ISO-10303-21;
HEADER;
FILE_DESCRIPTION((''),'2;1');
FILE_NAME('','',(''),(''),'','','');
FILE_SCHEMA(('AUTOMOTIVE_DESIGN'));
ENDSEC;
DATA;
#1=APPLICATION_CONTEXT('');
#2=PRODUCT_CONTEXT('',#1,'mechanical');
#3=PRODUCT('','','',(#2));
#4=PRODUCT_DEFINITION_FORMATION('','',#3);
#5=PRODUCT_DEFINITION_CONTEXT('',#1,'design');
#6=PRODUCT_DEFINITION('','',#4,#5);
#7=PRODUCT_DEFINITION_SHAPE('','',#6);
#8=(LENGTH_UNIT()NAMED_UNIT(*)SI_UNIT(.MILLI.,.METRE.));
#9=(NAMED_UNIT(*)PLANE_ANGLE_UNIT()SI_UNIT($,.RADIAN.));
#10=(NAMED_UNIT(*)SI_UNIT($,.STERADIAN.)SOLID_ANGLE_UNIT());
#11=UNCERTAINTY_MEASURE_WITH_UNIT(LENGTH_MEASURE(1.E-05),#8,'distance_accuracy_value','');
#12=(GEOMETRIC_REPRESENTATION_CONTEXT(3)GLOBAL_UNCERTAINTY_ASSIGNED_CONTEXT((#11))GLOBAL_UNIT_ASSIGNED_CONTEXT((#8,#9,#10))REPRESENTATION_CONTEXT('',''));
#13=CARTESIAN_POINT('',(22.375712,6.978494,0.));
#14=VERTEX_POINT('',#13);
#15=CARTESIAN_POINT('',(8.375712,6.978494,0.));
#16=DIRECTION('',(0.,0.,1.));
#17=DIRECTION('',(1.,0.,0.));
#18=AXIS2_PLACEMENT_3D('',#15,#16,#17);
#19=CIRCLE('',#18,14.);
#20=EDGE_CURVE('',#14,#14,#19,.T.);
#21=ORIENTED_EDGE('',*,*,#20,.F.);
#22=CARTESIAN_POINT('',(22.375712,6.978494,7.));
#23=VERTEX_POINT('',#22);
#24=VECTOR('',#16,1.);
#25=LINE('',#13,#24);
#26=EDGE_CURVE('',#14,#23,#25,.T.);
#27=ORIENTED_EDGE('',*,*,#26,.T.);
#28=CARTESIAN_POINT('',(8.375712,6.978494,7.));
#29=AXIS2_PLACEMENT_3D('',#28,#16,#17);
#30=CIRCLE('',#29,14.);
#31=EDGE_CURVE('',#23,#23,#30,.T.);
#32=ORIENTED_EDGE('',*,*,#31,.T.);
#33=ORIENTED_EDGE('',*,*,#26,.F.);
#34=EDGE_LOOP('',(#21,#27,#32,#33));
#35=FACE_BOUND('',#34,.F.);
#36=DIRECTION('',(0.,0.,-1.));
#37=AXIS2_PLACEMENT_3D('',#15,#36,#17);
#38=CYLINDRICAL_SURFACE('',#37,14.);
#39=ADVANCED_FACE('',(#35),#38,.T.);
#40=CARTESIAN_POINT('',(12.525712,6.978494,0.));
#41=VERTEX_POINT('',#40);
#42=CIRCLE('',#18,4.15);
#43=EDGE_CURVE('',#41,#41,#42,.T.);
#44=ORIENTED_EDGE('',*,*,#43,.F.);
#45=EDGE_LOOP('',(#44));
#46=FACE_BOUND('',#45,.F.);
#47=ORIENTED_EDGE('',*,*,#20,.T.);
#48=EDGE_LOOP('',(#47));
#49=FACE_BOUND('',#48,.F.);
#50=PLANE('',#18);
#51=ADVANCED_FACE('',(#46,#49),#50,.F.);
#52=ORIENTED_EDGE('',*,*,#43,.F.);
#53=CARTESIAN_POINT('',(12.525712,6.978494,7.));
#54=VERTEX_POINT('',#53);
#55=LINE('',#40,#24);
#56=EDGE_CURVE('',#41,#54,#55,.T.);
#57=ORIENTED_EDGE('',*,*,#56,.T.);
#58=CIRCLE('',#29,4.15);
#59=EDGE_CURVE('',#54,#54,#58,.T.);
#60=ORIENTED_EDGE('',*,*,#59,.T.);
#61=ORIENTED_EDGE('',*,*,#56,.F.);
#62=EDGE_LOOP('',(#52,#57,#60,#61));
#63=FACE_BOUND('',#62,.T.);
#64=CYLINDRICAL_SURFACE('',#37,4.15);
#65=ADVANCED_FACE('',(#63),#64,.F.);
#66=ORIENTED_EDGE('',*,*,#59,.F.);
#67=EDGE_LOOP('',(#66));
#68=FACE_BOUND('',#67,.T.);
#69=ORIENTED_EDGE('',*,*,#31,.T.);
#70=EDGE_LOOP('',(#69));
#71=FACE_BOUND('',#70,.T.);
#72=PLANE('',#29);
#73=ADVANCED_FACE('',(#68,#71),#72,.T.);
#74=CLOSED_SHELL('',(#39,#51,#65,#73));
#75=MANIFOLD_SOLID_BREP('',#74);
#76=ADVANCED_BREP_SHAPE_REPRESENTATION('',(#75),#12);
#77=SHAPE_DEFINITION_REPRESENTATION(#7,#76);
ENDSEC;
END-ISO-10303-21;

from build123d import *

# Parameters (mm, degrees)
SKETCH_R   = 14
SKETCH_R_2 = 4.15
PAD_DEPTH  = 7


with BuildPart() as part:
    # Sketch → Pad (new body)
    with BuildSketch(Plane.XY):
        with Locations((8.375712, 6.978494)):
            Circle(SKETCH_R)
        with Locations((8.375712, 6.978494)):
            Circle(SKETCH_R_2, mode=Mode.SUBTRACT)
    extrude(amount=PAD_DEPTH)


solid = part.part
